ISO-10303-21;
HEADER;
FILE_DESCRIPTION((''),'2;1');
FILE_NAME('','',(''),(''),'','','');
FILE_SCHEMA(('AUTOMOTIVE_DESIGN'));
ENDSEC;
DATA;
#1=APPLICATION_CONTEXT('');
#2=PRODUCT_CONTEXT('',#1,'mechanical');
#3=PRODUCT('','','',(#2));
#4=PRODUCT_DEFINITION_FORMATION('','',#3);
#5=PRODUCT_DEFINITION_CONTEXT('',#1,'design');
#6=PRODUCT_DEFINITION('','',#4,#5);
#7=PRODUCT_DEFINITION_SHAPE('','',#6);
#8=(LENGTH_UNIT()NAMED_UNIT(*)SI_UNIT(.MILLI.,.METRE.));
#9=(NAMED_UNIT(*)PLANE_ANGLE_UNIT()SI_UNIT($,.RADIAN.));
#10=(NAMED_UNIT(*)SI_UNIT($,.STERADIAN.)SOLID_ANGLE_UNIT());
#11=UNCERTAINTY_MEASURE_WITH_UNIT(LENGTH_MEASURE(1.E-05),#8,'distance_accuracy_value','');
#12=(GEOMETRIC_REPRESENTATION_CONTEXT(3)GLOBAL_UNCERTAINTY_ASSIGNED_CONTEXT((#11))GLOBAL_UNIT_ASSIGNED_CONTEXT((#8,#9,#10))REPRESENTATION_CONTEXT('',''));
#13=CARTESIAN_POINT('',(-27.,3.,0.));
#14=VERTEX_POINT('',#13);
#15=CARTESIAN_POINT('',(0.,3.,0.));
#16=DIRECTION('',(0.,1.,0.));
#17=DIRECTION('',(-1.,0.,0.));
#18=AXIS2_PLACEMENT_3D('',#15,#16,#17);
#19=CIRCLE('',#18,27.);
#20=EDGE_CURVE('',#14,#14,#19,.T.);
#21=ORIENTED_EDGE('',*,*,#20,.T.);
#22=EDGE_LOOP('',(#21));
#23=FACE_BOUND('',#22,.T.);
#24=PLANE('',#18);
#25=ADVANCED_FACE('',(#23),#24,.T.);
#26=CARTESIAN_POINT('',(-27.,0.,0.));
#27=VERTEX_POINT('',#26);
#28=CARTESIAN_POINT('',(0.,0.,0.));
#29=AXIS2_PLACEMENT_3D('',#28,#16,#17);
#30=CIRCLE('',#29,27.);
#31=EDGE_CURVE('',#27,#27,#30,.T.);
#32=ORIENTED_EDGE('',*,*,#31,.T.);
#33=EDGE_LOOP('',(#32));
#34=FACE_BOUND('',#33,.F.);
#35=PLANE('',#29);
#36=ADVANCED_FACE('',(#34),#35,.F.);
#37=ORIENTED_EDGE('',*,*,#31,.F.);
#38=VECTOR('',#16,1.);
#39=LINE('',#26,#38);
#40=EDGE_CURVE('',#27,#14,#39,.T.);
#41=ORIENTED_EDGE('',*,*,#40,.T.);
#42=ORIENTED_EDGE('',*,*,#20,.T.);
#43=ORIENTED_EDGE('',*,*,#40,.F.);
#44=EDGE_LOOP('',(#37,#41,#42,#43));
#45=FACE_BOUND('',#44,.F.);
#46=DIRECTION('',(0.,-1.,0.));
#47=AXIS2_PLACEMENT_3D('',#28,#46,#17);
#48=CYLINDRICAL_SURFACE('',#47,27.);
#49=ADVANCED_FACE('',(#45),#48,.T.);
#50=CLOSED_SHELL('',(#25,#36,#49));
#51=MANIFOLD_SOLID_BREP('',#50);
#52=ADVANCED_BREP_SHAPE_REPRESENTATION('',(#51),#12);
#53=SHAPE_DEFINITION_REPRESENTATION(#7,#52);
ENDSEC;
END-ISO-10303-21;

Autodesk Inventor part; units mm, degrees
ref_plane "YZ Plane" through (0, 0, 0) normal (1, 0, 0) x (0, 1, 0)
ref_plane "XZ Plane" through (0, 0, 0) normal (0, 1, 0) x (-1, 0, 0)
ref_plane "XY Plane" through (0, 0, 0) normal (0, 0, 1) x (1, 0, 0)
sketch "Sketch1" plane through (0, 0, 0) normal (0, 1, 0) x (-1, 0, 0)
  circle A0 centre (0, 0) radius 27
  dimension "d0" = 54
extrude "Extrusion1" add sketch "Sketch1" along normal blind 3
properties part number "Small Window" material "Glass"
